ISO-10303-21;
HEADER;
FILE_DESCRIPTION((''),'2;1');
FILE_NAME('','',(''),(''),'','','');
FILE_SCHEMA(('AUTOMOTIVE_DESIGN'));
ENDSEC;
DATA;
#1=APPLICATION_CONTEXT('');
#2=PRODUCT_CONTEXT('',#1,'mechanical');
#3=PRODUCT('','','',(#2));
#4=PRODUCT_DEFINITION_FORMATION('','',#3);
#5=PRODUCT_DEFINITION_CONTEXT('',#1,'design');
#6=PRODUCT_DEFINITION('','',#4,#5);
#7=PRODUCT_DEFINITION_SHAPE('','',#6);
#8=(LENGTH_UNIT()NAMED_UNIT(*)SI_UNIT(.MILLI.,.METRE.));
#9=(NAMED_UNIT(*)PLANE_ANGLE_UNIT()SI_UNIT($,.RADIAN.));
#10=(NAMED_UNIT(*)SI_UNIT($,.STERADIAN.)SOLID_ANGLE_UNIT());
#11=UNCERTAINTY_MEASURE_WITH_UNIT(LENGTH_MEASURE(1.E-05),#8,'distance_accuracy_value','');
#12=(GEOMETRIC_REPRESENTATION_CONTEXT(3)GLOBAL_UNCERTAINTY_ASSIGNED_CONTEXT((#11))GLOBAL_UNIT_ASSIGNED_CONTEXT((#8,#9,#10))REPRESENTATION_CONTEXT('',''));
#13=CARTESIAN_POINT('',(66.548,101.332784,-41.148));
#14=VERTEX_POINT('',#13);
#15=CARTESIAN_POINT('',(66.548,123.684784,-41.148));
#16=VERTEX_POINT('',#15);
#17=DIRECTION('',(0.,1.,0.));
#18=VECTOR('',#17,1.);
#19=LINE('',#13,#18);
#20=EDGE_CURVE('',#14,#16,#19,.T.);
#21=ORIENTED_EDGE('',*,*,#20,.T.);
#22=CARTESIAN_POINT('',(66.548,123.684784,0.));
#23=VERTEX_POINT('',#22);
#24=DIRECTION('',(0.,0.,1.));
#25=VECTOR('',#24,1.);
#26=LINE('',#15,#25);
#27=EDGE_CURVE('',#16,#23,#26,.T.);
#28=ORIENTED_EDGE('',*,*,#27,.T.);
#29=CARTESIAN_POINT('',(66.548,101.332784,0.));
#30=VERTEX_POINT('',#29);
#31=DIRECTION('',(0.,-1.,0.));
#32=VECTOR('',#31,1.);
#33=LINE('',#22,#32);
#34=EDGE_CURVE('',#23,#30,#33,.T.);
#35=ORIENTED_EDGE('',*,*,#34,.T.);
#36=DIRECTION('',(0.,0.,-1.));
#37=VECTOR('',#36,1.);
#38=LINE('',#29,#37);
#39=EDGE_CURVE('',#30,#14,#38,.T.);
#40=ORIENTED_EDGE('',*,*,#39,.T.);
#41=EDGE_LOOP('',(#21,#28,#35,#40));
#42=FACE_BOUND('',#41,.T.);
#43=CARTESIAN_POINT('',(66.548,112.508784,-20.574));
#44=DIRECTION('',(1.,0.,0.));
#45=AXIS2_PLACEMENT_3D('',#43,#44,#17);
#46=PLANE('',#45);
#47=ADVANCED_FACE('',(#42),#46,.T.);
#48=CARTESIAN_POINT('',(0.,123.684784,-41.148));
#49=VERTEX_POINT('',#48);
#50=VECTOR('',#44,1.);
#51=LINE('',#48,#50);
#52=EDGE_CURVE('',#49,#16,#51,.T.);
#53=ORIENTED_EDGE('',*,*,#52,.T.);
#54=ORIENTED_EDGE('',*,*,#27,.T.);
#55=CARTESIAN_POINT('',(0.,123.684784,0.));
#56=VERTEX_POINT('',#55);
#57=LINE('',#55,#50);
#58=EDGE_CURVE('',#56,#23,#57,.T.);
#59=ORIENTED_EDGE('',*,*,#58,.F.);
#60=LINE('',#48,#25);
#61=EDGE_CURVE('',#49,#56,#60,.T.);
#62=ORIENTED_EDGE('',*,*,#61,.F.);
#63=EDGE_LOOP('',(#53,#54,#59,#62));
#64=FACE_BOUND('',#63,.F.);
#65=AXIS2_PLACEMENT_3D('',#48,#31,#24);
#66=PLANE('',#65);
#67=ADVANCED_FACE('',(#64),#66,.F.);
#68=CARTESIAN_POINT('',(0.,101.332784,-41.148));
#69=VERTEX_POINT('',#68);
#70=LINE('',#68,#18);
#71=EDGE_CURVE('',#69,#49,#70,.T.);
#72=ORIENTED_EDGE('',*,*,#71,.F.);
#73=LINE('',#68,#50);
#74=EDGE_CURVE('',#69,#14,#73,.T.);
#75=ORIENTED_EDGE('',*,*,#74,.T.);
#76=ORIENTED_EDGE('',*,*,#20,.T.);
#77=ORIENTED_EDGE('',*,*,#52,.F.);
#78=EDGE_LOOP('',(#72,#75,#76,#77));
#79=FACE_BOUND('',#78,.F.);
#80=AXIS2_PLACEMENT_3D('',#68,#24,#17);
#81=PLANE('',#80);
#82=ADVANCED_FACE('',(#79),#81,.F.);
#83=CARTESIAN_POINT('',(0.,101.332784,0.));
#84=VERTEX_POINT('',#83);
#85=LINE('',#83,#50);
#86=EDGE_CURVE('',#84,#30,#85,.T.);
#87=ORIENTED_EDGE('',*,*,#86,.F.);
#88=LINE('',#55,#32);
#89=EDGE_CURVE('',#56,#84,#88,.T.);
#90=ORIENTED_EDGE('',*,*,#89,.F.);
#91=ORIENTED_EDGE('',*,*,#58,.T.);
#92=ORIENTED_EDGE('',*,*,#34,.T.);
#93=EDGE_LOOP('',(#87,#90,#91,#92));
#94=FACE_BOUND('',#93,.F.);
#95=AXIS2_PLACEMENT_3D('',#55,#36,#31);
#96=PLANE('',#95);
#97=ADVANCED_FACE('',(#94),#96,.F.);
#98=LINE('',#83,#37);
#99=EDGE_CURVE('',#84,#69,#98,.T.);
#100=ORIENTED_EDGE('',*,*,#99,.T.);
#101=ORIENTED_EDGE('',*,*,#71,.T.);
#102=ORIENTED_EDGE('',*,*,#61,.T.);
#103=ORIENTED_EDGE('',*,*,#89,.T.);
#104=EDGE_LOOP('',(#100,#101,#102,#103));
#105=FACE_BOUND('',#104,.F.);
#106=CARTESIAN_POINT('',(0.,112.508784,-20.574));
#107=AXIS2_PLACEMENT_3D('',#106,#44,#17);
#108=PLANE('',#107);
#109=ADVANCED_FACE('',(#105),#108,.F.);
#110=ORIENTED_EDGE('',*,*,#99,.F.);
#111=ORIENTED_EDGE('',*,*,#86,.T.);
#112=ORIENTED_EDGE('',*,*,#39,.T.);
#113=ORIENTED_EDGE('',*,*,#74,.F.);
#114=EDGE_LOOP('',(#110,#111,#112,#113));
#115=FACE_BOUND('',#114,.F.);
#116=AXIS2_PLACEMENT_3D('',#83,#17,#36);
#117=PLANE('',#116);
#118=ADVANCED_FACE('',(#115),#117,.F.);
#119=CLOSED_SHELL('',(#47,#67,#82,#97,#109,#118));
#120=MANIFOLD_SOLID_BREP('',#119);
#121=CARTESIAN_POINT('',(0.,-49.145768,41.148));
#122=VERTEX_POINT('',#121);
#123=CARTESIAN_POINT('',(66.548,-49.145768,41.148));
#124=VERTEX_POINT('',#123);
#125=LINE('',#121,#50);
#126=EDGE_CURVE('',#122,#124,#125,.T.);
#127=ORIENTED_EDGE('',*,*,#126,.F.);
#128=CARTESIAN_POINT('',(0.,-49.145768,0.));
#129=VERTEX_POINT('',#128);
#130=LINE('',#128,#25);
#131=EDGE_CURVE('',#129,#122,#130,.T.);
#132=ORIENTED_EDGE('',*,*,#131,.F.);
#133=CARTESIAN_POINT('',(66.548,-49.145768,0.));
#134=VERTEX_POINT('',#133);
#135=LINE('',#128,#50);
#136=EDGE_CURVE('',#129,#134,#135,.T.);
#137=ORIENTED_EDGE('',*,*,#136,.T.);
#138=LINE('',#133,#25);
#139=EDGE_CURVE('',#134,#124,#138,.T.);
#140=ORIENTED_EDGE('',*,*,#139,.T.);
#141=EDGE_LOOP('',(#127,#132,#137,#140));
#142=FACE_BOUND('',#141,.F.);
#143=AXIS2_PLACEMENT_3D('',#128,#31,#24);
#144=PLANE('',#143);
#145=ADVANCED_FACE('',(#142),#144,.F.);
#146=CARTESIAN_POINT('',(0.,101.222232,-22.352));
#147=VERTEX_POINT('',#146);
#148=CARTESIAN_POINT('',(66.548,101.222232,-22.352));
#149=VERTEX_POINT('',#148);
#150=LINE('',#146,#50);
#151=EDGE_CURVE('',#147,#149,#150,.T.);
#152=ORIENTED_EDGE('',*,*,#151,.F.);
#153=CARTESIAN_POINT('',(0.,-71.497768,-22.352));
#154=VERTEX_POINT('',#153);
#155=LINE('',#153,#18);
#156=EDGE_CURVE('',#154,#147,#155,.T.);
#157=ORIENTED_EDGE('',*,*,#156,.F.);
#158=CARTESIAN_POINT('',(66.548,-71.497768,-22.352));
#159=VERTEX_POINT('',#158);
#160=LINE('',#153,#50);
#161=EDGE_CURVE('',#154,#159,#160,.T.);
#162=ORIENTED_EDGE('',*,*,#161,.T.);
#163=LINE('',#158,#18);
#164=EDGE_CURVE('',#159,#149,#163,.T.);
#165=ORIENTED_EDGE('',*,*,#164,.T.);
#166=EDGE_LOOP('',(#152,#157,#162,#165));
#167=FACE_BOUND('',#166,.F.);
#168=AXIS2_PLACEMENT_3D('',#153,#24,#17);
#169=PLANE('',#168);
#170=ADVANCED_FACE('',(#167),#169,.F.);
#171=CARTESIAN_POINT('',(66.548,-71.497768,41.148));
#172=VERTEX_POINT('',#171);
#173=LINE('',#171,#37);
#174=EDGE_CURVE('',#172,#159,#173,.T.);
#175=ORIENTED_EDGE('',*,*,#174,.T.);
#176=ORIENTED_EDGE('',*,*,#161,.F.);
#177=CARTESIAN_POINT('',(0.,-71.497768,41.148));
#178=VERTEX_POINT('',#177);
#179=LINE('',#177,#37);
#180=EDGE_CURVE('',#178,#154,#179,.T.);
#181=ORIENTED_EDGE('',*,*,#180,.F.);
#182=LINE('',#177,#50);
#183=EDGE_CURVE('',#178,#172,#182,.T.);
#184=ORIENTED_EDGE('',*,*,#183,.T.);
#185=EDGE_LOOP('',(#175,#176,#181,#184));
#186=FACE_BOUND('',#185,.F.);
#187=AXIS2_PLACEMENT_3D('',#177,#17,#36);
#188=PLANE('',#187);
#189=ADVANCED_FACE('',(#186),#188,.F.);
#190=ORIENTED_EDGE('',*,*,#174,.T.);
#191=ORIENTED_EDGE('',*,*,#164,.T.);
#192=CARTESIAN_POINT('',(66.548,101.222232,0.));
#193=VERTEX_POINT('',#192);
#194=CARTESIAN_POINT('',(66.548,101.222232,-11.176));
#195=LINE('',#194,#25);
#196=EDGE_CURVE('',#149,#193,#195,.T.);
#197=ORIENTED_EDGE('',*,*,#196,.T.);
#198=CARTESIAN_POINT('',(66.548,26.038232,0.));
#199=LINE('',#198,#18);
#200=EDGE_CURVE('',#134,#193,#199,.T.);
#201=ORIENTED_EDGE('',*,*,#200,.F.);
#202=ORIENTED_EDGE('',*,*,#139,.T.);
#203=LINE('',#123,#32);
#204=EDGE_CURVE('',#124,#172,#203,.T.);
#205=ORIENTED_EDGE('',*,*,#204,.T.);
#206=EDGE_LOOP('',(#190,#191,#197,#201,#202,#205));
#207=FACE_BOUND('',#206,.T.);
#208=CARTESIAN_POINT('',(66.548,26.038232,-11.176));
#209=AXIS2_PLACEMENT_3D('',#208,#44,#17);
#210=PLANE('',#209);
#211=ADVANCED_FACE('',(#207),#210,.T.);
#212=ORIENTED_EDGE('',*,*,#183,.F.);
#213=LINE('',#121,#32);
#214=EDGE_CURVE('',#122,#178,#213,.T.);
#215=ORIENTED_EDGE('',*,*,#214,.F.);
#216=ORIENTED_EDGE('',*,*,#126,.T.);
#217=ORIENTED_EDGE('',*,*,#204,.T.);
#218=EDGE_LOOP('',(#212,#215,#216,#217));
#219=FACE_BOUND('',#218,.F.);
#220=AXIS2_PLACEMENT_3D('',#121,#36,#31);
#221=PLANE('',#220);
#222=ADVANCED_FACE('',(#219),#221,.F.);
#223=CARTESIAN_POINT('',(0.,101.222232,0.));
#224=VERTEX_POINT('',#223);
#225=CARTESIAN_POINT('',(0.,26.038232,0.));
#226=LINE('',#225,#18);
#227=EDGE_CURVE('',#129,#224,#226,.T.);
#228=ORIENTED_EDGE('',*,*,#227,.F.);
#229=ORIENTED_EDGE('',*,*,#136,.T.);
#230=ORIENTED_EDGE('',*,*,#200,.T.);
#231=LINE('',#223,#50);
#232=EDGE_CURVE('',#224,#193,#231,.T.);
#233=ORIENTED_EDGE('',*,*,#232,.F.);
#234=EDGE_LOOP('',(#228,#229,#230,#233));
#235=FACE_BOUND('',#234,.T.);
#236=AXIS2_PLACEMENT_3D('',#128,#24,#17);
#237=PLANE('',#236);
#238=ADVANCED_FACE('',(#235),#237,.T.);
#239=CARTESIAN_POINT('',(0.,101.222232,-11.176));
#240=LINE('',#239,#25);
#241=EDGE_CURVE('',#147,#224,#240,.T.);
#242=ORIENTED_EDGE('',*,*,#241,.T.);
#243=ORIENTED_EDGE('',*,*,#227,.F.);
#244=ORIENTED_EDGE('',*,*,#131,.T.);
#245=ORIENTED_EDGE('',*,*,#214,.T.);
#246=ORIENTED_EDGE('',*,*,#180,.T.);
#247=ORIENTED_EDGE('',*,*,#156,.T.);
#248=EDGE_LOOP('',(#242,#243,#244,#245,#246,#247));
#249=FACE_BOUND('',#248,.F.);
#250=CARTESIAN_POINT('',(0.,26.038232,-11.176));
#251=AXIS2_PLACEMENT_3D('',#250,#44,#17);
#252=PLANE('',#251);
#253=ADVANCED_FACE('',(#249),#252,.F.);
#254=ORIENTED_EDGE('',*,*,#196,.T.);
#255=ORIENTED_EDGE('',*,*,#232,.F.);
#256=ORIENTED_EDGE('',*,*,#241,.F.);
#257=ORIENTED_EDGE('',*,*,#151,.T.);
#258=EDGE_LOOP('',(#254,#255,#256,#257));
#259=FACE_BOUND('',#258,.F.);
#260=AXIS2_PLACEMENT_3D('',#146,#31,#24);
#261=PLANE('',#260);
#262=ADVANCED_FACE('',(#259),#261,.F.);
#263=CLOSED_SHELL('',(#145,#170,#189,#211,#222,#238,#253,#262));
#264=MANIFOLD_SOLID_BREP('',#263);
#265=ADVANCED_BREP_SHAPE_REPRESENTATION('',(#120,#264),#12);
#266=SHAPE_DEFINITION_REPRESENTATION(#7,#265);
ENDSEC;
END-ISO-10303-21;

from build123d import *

# Parameters (mm, degrees)
F0_W     = 150.368
F0_H     = 22.352
F1_DEPTH = 66.548


with BuildPart() as f1:
    # F0 (on Right) → F1 (new body)
    with BuildSketch(Plane.YZ):
        with Locations((26.038232, -11.176)):
            Rectangle(F0_W, F0_H)
        Polygon((-49.145768, 41.148), (-71.497768, 41.148), (-71.497768, -22.352), (-49.145768, -22.352), (-49.145768, 0), align=None)
        Polygon((103.630818, 0), (101.332784, 0), (101.332784, -41.148), (123.684784, -41.148), (123.684784, 0), align=None)
    extrude(amount=F1_DEPTH)


solid = f1.part
